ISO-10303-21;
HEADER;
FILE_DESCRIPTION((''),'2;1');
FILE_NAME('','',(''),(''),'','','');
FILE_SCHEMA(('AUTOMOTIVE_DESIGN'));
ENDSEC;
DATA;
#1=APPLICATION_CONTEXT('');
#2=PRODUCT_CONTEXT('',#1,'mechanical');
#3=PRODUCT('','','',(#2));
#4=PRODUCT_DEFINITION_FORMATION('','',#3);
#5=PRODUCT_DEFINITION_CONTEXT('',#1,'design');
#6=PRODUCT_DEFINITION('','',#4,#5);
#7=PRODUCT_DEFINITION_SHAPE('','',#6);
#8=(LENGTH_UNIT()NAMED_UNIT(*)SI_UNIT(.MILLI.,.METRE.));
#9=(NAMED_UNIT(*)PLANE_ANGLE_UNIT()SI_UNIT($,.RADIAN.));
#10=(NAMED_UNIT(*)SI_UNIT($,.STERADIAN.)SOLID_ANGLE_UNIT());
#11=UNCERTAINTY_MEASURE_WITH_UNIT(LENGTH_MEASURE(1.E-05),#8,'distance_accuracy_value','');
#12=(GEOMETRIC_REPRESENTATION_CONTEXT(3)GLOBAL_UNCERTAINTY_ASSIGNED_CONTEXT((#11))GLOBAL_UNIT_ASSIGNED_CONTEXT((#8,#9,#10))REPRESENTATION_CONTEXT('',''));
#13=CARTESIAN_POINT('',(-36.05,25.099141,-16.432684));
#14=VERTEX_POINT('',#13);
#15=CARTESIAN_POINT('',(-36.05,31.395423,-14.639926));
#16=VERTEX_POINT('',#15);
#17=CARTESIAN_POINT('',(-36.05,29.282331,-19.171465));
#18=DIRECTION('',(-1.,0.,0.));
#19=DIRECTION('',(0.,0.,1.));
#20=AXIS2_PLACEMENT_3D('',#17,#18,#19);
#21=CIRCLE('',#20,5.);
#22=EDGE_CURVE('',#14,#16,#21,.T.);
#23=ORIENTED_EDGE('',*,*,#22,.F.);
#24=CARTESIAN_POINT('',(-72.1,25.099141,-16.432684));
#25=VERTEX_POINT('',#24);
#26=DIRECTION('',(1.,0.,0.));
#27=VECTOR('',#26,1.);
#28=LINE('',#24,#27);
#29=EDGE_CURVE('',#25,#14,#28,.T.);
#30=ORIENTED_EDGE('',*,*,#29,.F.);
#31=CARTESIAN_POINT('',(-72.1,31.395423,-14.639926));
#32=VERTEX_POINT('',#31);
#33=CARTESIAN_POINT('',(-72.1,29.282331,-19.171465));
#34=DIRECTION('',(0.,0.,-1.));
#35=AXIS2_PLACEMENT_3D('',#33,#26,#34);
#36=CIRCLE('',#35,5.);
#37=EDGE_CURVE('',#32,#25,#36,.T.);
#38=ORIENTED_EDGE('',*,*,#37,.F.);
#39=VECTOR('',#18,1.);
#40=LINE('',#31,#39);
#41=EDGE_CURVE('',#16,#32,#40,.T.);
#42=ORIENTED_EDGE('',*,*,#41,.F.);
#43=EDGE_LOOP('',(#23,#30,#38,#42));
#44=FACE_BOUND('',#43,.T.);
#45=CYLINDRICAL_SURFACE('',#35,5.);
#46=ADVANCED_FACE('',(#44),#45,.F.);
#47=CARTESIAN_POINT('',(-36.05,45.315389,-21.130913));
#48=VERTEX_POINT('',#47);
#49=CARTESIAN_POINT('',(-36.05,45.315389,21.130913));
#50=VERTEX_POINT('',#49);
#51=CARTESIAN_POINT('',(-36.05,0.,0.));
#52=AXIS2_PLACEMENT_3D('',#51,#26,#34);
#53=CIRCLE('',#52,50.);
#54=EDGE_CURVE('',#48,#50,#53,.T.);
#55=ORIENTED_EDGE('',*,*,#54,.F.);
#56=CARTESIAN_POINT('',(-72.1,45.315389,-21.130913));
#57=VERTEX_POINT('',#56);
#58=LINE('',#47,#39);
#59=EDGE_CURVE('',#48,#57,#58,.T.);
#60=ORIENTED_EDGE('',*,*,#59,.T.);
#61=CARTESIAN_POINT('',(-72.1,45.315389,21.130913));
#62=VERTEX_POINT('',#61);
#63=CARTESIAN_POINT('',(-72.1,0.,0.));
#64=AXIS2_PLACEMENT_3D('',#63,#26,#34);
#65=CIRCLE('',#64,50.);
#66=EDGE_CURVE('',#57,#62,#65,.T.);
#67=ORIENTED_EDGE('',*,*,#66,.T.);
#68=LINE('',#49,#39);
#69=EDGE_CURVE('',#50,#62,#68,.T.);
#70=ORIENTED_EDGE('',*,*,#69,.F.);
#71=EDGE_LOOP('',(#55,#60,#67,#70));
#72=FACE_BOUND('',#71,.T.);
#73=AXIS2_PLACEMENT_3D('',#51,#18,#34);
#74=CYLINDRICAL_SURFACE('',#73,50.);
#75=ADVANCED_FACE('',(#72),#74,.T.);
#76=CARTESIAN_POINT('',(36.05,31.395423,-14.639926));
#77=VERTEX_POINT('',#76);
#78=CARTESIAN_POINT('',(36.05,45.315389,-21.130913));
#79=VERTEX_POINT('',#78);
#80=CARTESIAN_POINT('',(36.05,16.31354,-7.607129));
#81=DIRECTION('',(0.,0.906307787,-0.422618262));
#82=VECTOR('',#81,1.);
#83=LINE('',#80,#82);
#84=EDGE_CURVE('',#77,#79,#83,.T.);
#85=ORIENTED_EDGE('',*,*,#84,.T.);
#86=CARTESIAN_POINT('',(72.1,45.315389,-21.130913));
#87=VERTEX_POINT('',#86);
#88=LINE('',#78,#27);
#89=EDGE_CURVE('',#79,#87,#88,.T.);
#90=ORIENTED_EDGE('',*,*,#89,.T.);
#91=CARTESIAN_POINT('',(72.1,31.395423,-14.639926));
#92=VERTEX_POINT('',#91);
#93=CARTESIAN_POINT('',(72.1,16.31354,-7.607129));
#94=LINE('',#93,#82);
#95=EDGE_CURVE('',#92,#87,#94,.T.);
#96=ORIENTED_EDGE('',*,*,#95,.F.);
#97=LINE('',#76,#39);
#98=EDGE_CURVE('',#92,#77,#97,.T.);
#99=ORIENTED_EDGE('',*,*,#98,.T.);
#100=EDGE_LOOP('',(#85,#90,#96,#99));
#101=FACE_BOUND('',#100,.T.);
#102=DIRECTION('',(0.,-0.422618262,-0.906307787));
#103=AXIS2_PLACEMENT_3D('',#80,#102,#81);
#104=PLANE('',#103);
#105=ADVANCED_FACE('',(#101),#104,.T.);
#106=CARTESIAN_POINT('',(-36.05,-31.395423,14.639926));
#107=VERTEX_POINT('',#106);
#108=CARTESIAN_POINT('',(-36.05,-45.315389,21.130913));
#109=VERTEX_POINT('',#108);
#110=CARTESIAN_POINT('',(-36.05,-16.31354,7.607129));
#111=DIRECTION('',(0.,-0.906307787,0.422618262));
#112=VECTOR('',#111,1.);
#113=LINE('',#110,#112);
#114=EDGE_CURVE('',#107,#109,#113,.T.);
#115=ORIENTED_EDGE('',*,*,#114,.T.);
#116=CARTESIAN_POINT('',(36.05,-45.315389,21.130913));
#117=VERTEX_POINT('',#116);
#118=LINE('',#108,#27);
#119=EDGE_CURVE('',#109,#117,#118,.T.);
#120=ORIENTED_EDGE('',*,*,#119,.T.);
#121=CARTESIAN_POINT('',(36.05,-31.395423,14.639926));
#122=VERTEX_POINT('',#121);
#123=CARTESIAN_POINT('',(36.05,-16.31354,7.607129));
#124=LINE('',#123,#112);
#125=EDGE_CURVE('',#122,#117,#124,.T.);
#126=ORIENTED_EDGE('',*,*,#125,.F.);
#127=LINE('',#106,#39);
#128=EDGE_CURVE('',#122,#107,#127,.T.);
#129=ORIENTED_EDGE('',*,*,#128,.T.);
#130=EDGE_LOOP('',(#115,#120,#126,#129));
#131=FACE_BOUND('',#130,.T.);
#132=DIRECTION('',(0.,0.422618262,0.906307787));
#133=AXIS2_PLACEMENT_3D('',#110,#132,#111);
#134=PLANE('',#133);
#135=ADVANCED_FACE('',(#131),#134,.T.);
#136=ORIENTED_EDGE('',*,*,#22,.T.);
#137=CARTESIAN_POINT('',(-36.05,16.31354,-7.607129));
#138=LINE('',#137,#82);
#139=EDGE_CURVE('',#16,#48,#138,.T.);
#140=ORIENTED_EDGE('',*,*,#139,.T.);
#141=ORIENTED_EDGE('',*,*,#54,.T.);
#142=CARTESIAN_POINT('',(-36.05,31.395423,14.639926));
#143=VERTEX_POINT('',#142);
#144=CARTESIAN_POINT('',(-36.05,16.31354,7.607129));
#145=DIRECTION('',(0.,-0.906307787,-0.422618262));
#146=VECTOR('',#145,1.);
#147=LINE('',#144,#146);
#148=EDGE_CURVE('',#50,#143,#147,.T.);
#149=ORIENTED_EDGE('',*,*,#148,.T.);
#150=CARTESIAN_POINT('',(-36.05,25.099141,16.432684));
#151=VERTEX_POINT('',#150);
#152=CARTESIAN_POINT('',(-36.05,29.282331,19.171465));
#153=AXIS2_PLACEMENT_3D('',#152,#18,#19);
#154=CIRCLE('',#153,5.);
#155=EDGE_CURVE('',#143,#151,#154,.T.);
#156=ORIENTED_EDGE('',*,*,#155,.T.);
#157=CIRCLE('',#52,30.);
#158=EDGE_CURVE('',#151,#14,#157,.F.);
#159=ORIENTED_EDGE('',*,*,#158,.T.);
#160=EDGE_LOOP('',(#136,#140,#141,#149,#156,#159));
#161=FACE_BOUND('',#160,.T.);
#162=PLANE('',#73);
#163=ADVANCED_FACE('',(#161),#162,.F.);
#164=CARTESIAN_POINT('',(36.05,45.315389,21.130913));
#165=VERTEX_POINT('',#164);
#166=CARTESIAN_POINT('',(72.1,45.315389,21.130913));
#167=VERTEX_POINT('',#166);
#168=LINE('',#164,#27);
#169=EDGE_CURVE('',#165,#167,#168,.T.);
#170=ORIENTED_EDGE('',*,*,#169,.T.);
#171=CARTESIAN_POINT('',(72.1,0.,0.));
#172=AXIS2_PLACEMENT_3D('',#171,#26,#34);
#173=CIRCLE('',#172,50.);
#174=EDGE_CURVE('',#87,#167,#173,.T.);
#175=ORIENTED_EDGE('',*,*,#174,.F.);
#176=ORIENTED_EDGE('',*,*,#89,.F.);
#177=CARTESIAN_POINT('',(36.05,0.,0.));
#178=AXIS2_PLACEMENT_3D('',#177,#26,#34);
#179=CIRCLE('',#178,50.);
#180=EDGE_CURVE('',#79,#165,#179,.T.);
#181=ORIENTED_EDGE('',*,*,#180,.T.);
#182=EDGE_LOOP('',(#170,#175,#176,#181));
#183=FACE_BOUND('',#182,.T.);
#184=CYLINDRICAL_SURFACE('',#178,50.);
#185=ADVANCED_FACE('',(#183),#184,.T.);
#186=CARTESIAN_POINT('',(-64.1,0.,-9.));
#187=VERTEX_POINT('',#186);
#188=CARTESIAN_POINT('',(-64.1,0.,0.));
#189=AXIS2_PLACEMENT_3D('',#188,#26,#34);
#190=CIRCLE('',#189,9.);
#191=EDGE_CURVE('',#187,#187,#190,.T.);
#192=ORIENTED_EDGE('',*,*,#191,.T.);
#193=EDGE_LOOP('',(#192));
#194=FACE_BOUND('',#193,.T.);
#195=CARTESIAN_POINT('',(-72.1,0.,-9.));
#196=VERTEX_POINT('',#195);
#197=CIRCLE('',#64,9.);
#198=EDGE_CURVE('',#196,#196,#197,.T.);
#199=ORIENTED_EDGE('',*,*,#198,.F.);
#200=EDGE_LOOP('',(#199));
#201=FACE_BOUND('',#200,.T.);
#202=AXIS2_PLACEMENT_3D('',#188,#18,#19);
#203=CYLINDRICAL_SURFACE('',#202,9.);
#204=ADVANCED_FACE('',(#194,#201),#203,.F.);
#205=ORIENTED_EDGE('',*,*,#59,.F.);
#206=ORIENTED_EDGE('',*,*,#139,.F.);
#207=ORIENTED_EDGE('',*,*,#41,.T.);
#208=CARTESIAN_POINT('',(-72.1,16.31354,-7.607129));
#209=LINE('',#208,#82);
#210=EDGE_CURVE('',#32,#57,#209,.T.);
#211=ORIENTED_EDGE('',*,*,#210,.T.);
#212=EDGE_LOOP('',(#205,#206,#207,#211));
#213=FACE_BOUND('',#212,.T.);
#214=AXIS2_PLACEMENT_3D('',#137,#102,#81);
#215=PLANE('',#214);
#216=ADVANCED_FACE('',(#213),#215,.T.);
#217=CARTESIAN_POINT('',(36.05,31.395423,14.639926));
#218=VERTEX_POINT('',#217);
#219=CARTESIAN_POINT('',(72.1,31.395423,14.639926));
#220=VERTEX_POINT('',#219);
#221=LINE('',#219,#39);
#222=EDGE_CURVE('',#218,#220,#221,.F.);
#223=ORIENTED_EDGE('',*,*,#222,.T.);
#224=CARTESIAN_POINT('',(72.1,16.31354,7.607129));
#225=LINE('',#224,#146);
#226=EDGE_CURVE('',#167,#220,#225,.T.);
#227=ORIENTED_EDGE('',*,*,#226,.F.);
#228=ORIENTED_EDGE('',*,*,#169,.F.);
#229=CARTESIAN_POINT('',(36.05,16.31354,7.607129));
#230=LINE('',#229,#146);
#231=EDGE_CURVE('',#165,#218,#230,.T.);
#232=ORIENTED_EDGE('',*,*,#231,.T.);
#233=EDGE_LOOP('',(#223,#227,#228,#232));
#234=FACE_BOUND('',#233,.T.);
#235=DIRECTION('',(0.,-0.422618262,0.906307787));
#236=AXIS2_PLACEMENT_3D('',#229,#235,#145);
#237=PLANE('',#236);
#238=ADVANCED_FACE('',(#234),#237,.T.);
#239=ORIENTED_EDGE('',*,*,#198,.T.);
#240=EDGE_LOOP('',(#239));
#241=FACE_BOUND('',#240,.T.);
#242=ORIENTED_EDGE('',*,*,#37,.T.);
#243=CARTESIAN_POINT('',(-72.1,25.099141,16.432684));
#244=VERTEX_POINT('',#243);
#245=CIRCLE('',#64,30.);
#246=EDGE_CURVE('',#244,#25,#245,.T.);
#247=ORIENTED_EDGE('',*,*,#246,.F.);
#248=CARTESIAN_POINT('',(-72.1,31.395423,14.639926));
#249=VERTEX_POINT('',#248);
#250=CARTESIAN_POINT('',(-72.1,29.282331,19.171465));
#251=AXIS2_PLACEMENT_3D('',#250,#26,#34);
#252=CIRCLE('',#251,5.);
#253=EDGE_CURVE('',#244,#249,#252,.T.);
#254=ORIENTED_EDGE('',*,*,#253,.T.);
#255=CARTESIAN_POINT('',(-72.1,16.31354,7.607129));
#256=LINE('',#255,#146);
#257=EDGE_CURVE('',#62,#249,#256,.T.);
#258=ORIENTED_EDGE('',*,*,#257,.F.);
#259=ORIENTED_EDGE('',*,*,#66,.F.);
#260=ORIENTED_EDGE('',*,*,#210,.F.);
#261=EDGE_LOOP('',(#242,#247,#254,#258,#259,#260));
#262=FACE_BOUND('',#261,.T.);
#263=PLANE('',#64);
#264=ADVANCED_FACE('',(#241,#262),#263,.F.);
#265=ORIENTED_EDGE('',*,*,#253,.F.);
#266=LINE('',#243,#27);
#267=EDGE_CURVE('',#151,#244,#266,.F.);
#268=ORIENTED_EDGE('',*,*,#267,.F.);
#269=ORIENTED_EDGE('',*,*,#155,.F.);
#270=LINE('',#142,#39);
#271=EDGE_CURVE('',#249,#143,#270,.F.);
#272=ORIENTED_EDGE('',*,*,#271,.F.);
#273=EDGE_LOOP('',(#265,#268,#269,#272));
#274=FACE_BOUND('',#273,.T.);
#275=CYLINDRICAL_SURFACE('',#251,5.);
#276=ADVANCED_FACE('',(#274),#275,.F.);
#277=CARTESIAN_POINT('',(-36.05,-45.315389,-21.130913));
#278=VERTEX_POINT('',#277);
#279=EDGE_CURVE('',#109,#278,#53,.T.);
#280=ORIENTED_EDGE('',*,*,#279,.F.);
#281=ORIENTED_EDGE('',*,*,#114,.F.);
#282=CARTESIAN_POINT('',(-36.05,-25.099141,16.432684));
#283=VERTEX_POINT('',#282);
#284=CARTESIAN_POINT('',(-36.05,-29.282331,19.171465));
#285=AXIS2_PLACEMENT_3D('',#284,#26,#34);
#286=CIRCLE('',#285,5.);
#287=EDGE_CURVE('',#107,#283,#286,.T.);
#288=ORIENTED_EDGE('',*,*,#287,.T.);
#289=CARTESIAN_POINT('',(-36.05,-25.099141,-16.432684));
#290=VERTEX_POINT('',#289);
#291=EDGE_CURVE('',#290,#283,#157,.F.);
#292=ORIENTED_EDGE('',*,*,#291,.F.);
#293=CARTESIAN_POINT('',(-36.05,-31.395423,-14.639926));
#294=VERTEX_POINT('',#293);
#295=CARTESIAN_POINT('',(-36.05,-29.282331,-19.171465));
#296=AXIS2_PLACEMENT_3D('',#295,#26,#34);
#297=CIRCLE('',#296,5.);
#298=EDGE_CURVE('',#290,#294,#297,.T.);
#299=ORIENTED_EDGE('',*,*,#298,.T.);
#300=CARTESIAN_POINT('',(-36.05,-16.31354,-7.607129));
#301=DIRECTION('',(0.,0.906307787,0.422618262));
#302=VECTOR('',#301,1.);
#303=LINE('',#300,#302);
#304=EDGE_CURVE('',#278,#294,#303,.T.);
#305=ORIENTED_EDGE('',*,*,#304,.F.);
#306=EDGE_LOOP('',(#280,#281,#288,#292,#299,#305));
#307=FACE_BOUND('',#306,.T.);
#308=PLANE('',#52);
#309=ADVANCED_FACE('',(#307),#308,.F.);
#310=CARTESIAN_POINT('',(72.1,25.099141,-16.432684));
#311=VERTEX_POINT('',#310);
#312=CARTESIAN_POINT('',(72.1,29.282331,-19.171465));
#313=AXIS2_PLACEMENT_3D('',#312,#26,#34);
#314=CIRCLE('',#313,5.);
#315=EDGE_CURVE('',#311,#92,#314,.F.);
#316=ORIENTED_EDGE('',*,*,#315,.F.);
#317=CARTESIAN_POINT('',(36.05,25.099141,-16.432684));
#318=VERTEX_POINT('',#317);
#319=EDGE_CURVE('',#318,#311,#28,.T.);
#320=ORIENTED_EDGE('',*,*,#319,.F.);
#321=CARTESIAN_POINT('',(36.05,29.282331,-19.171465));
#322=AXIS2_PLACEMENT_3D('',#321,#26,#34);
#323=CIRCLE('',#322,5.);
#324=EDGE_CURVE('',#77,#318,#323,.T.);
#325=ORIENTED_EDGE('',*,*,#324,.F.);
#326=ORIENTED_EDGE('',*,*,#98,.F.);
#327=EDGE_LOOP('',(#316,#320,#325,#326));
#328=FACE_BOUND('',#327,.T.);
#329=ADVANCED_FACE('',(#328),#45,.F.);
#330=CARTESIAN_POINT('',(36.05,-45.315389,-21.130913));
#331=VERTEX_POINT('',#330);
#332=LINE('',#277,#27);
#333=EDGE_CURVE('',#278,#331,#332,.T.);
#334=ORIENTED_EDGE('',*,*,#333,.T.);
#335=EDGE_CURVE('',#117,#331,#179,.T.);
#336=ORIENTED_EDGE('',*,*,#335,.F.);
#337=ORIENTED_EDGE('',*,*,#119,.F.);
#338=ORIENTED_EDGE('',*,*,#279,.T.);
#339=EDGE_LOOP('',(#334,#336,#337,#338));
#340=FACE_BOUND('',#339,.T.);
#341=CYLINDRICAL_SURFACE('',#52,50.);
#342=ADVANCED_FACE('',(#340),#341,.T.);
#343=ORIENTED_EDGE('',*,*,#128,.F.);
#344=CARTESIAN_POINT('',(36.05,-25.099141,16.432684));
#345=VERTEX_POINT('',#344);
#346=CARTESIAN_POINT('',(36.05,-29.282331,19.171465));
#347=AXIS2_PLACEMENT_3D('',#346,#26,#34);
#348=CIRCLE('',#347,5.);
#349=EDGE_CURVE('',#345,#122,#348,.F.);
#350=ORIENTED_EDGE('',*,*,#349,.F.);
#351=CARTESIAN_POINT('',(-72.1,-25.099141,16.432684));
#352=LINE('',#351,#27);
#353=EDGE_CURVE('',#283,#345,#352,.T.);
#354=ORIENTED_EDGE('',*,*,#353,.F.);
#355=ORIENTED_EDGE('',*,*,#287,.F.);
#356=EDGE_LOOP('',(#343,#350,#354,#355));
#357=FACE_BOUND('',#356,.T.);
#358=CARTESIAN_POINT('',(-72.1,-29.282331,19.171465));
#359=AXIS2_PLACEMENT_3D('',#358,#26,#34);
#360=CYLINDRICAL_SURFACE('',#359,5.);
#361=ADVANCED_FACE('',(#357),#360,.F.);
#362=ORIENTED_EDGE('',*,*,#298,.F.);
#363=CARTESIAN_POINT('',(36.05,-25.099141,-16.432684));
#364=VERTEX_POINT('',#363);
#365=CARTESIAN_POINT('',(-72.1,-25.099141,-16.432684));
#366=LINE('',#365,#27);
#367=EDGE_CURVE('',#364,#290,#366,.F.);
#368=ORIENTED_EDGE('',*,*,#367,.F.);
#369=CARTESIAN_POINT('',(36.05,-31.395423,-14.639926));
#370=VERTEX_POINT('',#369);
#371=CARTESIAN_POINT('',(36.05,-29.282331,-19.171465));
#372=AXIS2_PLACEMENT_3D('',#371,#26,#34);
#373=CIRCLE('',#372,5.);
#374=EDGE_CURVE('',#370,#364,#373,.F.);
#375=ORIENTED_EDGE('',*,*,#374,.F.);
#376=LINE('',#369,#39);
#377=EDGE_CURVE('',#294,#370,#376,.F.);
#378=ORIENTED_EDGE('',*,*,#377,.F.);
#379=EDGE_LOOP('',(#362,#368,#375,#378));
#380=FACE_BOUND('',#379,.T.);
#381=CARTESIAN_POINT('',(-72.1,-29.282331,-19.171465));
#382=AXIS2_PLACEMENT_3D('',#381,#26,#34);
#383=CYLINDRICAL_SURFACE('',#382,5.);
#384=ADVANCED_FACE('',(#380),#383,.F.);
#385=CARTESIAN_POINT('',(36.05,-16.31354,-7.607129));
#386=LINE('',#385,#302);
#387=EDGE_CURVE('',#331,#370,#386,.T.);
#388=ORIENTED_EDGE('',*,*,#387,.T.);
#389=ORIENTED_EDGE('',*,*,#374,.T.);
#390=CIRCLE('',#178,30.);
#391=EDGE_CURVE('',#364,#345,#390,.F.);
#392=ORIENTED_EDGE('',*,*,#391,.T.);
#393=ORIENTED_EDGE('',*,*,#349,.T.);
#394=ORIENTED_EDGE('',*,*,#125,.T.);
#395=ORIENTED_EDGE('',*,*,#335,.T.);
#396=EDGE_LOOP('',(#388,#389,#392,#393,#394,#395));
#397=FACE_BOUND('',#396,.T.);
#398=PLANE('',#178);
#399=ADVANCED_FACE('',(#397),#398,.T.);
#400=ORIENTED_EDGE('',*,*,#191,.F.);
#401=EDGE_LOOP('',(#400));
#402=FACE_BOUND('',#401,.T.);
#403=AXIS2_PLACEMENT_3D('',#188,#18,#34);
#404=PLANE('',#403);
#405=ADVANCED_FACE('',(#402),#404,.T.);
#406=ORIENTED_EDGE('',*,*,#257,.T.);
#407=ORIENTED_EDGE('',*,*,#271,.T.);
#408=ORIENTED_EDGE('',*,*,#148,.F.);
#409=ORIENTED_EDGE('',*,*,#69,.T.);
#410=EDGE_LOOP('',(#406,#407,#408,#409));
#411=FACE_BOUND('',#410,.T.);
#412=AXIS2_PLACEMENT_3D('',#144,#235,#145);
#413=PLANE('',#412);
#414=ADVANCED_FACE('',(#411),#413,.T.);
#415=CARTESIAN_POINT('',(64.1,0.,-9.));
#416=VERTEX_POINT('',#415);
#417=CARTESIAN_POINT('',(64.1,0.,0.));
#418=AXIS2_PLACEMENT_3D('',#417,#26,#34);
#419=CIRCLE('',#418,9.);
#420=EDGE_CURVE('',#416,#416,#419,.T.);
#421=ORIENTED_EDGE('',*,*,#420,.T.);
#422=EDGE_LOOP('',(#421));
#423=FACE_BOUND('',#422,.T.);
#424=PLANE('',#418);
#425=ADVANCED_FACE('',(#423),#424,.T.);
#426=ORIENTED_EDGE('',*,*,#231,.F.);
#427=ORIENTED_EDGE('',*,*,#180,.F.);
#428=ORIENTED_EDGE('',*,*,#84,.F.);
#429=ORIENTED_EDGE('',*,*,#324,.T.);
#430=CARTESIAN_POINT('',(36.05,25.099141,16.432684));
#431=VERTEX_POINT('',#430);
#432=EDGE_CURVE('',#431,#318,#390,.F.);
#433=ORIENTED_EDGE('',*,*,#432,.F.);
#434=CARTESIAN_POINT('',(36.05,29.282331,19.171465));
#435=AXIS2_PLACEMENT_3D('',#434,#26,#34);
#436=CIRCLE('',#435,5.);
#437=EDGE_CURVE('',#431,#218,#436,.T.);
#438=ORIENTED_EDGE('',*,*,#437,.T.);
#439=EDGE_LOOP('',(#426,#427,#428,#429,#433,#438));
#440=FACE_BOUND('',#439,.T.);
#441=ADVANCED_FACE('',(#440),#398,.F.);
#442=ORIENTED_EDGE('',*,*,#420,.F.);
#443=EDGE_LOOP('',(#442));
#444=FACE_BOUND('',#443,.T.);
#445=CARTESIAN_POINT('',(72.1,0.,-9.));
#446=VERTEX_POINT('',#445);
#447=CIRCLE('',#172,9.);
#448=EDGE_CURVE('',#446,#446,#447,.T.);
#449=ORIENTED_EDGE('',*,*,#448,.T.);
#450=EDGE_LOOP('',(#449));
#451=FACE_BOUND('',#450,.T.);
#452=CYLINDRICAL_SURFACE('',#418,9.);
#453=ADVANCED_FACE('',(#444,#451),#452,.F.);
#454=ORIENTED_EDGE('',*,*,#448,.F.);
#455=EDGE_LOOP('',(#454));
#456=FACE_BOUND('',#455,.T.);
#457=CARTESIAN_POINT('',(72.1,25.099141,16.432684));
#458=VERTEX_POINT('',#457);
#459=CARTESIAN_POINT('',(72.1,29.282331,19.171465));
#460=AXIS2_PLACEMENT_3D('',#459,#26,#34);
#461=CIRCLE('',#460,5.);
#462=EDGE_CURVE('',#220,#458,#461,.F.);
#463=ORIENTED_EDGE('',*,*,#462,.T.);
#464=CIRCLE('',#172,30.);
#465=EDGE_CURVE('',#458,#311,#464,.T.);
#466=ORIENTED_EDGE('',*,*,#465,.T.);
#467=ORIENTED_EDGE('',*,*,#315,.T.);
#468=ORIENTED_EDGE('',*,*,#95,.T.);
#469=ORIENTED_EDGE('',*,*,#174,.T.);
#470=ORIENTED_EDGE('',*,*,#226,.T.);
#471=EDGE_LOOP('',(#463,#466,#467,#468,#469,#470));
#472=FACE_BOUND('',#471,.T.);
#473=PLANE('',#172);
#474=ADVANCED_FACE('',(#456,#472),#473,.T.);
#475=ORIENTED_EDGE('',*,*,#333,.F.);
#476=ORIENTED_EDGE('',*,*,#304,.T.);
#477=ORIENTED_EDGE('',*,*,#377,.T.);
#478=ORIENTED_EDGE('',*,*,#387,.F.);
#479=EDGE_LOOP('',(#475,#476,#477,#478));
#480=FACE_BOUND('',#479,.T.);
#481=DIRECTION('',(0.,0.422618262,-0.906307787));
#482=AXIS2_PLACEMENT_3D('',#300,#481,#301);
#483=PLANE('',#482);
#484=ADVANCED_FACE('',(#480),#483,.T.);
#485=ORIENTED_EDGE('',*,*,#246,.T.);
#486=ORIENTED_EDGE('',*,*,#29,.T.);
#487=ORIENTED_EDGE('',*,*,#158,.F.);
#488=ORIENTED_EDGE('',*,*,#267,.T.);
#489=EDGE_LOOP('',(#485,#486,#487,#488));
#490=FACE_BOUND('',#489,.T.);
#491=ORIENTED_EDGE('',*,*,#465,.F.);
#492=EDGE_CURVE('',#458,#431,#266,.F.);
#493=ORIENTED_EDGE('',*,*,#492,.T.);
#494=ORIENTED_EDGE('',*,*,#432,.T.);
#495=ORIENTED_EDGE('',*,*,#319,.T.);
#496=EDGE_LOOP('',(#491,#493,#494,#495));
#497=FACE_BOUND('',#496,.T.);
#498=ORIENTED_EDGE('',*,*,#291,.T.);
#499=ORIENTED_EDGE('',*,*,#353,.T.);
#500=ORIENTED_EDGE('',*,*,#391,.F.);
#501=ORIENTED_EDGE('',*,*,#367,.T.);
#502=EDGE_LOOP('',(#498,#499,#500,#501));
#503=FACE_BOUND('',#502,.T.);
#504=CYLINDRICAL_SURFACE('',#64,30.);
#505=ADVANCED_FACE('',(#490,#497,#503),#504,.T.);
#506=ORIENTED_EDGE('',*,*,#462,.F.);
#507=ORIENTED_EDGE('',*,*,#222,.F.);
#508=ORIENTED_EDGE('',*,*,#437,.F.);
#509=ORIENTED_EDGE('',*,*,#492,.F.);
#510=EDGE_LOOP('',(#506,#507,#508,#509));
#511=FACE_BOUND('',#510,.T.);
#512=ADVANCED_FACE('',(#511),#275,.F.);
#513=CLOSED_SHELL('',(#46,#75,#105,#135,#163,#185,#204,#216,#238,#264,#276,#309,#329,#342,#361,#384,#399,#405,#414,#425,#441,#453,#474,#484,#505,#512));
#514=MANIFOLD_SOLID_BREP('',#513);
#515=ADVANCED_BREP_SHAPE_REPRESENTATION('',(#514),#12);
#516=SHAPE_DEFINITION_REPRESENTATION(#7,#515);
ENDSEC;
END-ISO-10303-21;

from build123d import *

# Parameters (mm, degrees)
BOSS_EXTRUDE1_DEPTH      = 72.1
BOSS_EXTRUDE1_DEPTH_BACK = 72.1
SKETCH1_R                = 30
BOSS_EXTRUDE2_DEPTH      = 36.05
BOSS_EXTRUDE3_DEPTH      = 36.05
BOSS_EXTRUDE3_DEPTH_BACK = 36.05
SKETCH5_R                = 9
CUT_EXTRUDE1_DEPTH       = 8
FILLET1_R                = 5


with BuildPart() as part:
    # Sketch1 → Boss-Extrude1 (new, two sides: drawn at the far end of the back side and taken through both)
    with BuildSketch(Plane(origin=(0, 0, 0), x_dir=(0, 0, -1), z_dir=(1, 0, 0)).offset(-BOSS_EXTRUDE1_DEPTH_BACK)):
        Circle(SKETCH1_R)
    extrude(amount=BOSS_EXTRUDE1_DEPTH + BOSS_EXTRUDE1_DEPTH_BACK)

    # Sketch3 → Boss-Extrude2 (add)
    with BuildSketch(Plane(origin=(72.1, 0, 0), x_dir=(0, 0, -1), z_dir=(1, 0, 0))):
        with BuildLine():
            Line((7.607128711, 16.313540167), (21.130913087, 45.315389352))
            ThreePointArc((21.130913087, 45.315389352), (0, 50), (-21.130913087, 45.315389352))
            Line((-21.130913087, 45.315389352), (-7.607128711, 16.313540167))
            ThreePointArc((-7.607128711, 16.313540167), (0, 18), (7.607128711, 16.313540167))
        make_face()
    extrude(amount=-BOSS_EXTRUDE2_DEPTH)

    # Mirror1: part across plane


with BuildPart() as part_1:
    add(part.part)
    add(part.part.mirror(Plane(origin=(0, 0, 0), x_dir=(0, 0, 1), z_dir=(1, 0, 0))))

    # Sketch4 → Boss-Extrude3 (add, two sides: drawn at the far end of the back side and taken through both)
    with BuildSketch(Plane(origin=(0, 0, 0), x_dir=(0, 0, -1), z_dir=(1, 0, 0)).offset(-BOSS_EXTRUDE3_DEPTH_BACK)):
        with BuildLine():
            Line((-7.607128711, -16.313540167), (-21.130913087, -45.315389352))
            ThreePointArc((-21.130913087, -45.315389352), (0, -50), (21.130913087, -45.315389352))
            Line((21.130913087, -45.315389352), (7.607128711, -16.313540167))
            ThreePointArc((7.607128711, -16.313540167), (0, -18), (-7.607128711, -16.313540167))
        make_face()
    extrude(amount=BOSS_EXTRUDE3_DEPTH + BOSS_EXTRUDE3_DEPTH_BACK)

    # Sketch5 → Cut-Extrude1 (cut)
    with BuildSketch(Plane(origin=(72.1, 0, 0), x_dir=(0, 0, -1), z_dir=(1, 0, 0))):
        Circle(SKETCH5_R)
    cut_extrude1 = extrude(amount=-CUT_EXTRUDE1_DEPTH, mode=Mode.SUBTRACT)

    # Mirror3: Cut-Extrude1 across plane
    add(cut_extrude1.mirror(Plane(origin=(0, 0, 0), x_dir=(0, 0, 1), z_dir=(1, 0, 0))), mode=Mode.SUBTRACT)

    # Fillet1
    fillet1_edges = [part_1.edges().sort_by_distance(p)[0] for p in [
        (54.075, 27.189233611, 12.678547852),
        (54.075, 27.189233611, -12.678547852),
        (-54.075, 27.189233611, 12.678547852),
        (-54.075, 27.189233611, -12.678547852),
        (0, -27.189233611, -12.678547852),
        (0, -27.189233611, 12.678547852),
    ]]
    fillet(fillet1_edges, radius=FILLET1_R)


solid = part_1.part
